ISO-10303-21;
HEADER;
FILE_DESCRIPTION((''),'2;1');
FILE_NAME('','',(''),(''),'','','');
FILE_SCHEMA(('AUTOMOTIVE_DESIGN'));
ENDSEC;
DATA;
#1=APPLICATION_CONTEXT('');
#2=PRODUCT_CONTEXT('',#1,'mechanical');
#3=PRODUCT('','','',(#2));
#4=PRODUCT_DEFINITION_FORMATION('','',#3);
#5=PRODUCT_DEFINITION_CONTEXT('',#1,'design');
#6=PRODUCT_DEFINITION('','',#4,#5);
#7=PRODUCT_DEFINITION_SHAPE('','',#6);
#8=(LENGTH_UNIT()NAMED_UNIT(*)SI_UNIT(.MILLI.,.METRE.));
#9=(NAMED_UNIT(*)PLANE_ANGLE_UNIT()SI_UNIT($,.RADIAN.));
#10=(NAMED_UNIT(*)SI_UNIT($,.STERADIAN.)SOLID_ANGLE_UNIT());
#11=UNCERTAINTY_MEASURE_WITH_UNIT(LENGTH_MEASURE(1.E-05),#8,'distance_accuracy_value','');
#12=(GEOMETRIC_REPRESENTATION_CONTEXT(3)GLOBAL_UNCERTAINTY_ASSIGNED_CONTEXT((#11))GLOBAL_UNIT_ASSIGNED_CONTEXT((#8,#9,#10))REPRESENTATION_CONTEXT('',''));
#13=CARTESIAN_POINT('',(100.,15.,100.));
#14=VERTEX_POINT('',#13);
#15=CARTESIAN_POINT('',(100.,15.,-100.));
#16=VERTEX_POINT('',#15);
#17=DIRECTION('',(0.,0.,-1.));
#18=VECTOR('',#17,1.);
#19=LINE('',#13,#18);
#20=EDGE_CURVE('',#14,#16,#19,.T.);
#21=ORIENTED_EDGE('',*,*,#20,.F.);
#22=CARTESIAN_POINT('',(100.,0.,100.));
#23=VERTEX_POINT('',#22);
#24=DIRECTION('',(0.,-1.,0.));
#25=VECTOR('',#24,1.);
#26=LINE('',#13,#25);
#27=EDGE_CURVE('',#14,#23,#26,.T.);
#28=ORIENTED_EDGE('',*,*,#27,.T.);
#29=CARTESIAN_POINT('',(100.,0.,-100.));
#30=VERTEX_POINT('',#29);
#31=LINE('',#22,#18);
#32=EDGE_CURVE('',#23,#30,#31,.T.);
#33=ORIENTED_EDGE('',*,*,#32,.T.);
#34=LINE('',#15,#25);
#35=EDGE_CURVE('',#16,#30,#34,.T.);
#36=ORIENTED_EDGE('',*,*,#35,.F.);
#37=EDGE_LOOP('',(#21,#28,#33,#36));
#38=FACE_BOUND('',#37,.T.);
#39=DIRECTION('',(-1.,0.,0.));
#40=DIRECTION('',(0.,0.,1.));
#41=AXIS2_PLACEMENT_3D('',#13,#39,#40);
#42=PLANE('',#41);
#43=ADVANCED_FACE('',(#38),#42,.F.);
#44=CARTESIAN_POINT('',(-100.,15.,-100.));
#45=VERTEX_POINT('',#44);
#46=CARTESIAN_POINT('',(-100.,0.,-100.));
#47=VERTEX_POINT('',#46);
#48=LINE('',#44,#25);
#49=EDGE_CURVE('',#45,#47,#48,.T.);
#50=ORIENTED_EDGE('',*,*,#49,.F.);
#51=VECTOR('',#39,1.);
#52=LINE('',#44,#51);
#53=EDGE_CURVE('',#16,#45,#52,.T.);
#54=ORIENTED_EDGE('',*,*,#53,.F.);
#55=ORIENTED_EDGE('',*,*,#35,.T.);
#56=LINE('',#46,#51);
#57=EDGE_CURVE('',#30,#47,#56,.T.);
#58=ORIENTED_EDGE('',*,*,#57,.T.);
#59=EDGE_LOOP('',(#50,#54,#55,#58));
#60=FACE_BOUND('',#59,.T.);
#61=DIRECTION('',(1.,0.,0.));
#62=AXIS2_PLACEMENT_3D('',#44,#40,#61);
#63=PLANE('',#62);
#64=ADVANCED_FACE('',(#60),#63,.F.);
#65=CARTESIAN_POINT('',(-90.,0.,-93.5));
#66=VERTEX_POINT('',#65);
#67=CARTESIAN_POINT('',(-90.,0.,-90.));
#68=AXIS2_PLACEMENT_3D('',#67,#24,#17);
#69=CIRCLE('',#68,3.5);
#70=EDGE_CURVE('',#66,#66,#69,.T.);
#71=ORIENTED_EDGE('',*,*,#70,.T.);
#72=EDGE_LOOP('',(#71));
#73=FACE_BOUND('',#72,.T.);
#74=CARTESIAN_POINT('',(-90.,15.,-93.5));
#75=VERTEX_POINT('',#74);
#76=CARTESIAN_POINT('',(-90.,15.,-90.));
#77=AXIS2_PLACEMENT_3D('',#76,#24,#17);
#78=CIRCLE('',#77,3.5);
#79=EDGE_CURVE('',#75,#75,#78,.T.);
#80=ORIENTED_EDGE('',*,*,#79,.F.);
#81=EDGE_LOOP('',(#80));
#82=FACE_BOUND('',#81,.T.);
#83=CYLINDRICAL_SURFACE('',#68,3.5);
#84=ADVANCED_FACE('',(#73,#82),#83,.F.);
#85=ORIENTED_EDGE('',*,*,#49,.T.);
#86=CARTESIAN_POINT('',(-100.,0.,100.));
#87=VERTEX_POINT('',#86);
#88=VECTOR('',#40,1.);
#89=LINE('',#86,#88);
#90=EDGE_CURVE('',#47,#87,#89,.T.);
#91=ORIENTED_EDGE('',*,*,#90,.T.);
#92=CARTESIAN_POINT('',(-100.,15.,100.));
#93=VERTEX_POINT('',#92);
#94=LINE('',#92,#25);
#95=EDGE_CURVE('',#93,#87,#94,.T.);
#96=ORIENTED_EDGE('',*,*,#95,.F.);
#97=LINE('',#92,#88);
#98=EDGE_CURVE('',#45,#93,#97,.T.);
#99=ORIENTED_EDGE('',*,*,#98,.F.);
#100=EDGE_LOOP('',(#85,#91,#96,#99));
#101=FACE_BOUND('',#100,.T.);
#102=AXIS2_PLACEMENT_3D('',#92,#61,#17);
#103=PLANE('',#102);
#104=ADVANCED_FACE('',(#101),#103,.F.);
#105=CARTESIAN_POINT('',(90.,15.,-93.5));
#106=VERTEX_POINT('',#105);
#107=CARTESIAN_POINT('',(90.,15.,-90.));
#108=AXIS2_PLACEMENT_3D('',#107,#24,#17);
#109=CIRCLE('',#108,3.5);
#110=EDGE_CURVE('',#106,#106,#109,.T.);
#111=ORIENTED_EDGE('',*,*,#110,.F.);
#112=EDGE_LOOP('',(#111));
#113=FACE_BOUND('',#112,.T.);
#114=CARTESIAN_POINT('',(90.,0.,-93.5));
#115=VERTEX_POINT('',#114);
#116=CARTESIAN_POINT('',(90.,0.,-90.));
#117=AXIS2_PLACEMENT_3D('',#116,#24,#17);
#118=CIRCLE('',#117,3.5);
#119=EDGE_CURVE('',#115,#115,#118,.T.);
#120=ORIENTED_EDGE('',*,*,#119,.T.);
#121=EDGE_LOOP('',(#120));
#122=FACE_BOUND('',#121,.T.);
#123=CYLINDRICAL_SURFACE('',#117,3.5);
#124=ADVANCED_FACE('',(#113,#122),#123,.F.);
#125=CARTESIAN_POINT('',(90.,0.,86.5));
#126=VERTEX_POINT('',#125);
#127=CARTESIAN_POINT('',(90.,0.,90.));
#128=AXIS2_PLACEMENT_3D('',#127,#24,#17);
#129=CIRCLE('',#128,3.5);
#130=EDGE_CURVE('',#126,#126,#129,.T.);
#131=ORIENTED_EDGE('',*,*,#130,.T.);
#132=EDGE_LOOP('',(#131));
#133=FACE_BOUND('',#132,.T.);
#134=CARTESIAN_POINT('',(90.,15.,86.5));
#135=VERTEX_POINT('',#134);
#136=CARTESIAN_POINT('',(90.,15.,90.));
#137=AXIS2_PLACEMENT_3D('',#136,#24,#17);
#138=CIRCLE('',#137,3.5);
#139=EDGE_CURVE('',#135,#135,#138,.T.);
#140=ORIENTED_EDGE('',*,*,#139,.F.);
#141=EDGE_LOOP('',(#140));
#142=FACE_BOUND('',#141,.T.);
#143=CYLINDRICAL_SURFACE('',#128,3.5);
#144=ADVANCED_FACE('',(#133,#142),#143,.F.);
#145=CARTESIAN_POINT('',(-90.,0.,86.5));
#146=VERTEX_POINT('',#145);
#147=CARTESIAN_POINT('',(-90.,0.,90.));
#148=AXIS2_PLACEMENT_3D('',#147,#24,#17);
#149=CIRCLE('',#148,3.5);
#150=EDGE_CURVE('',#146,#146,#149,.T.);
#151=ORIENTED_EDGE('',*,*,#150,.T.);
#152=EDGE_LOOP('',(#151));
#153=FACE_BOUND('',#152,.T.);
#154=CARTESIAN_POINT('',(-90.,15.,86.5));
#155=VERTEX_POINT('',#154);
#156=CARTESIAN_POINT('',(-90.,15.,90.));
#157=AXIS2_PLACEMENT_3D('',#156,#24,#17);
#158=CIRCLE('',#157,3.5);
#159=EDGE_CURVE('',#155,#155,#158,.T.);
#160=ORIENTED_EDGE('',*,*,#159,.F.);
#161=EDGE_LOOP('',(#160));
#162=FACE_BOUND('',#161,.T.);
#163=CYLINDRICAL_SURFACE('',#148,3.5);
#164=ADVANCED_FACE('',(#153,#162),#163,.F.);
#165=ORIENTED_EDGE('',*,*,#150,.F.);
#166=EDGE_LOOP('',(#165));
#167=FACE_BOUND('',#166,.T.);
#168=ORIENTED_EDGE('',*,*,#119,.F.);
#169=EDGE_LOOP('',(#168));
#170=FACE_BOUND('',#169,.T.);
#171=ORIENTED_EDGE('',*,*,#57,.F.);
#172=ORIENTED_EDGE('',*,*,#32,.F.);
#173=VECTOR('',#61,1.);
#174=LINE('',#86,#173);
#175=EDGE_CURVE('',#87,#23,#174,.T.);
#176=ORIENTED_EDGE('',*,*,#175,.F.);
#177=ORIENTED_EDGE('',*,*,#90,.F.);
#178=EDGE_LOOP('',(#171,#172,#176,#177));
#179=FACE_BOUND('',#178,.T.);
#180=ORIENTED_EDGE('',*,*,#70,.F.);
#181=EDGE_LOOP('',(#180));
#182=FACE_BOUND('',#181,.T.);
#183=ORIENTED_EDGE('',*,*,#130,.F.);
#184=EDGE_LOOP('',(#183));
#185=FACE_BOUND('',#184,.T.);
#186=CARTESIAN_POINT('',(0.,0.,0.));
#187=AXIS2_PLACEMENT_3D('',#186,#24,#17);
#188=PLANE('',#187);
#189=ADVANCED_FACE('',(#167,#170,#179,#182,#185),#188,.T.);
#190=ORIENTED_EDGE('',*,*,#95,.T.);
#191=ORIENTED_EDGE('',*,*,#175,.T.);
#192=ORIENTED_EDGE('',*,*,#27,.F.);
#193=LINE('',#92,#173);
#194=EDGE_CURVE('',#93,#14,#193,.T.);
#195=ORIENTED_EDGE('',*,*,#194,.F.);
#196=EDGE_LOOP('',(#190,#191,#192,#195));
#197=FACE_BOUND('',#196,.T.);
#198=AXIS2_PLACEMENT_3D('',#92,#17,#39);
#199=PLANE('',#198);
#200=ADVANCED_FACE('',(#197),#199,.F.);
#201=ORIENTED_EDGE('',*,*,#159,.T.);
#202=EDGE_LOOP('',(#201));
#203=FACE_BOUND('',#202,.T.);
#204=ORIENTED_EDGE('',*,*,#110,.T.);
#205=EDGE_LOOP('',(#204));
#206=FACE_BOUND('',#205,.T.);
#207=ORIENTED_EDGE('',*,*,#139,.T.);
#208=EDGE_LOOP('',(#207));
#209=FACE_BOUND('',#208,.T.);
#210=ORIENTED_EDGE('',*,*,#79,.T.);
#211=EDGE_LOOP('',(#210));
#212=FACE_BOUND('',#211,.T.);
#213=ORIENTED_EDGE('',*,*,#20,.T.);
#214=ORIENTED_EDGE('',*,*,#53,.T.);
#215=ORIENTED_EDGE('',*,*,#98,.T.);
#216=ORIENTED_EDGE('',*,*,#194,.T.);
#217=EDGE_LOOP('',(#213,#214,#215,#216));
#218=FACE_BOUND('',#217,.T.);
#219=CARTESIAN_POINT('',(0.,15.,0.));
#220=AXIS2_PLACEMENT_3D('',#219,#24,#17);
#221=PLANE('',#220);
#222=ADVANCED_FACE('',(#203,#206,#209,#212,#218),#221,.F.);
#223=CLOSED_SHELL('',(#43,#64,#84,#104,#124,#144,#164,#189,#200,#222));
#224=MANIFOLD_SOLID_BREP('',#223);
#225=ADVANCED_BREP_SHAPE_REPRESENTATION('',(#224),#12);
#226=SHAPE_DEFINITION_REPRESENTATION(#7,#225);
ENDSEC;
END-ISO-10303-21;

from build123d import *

# Parameters (mm, degrees)
SKETCH1_W             = 200
SKETCH1_H             = 200
BOSS_EXTRUDE1_DEPTH   = 15
M8X1_0_TAPPED_HOLE1_D = 7


with BuildPart() as part:
    # Sketch1 → Boss-Extrude1 (new body)
    with BuildSketch(Plane(origin=(0, 0, 0), x_dir=(1, 0, 0), z_dir=(0, 1, 0))):
        Rectangle(SKETCH1_W, SKETCH1_H)
    extrude(amount=BOSS_EXTRUDE1_DEPTH)

    # M8x1.0 Tapped Hole1 (through all)
    with Locations(Plane(origin=(0, 0, 0), x_dir=(-1, 0, 0), z_dir=(0, -1, 0))):
        with Locations((90, 90), (90, -90), (-90, -90), (-90, 90)):
            Hole(M8X1_0_TAPPED_HOLE1_D / 2)


solid = part.part
